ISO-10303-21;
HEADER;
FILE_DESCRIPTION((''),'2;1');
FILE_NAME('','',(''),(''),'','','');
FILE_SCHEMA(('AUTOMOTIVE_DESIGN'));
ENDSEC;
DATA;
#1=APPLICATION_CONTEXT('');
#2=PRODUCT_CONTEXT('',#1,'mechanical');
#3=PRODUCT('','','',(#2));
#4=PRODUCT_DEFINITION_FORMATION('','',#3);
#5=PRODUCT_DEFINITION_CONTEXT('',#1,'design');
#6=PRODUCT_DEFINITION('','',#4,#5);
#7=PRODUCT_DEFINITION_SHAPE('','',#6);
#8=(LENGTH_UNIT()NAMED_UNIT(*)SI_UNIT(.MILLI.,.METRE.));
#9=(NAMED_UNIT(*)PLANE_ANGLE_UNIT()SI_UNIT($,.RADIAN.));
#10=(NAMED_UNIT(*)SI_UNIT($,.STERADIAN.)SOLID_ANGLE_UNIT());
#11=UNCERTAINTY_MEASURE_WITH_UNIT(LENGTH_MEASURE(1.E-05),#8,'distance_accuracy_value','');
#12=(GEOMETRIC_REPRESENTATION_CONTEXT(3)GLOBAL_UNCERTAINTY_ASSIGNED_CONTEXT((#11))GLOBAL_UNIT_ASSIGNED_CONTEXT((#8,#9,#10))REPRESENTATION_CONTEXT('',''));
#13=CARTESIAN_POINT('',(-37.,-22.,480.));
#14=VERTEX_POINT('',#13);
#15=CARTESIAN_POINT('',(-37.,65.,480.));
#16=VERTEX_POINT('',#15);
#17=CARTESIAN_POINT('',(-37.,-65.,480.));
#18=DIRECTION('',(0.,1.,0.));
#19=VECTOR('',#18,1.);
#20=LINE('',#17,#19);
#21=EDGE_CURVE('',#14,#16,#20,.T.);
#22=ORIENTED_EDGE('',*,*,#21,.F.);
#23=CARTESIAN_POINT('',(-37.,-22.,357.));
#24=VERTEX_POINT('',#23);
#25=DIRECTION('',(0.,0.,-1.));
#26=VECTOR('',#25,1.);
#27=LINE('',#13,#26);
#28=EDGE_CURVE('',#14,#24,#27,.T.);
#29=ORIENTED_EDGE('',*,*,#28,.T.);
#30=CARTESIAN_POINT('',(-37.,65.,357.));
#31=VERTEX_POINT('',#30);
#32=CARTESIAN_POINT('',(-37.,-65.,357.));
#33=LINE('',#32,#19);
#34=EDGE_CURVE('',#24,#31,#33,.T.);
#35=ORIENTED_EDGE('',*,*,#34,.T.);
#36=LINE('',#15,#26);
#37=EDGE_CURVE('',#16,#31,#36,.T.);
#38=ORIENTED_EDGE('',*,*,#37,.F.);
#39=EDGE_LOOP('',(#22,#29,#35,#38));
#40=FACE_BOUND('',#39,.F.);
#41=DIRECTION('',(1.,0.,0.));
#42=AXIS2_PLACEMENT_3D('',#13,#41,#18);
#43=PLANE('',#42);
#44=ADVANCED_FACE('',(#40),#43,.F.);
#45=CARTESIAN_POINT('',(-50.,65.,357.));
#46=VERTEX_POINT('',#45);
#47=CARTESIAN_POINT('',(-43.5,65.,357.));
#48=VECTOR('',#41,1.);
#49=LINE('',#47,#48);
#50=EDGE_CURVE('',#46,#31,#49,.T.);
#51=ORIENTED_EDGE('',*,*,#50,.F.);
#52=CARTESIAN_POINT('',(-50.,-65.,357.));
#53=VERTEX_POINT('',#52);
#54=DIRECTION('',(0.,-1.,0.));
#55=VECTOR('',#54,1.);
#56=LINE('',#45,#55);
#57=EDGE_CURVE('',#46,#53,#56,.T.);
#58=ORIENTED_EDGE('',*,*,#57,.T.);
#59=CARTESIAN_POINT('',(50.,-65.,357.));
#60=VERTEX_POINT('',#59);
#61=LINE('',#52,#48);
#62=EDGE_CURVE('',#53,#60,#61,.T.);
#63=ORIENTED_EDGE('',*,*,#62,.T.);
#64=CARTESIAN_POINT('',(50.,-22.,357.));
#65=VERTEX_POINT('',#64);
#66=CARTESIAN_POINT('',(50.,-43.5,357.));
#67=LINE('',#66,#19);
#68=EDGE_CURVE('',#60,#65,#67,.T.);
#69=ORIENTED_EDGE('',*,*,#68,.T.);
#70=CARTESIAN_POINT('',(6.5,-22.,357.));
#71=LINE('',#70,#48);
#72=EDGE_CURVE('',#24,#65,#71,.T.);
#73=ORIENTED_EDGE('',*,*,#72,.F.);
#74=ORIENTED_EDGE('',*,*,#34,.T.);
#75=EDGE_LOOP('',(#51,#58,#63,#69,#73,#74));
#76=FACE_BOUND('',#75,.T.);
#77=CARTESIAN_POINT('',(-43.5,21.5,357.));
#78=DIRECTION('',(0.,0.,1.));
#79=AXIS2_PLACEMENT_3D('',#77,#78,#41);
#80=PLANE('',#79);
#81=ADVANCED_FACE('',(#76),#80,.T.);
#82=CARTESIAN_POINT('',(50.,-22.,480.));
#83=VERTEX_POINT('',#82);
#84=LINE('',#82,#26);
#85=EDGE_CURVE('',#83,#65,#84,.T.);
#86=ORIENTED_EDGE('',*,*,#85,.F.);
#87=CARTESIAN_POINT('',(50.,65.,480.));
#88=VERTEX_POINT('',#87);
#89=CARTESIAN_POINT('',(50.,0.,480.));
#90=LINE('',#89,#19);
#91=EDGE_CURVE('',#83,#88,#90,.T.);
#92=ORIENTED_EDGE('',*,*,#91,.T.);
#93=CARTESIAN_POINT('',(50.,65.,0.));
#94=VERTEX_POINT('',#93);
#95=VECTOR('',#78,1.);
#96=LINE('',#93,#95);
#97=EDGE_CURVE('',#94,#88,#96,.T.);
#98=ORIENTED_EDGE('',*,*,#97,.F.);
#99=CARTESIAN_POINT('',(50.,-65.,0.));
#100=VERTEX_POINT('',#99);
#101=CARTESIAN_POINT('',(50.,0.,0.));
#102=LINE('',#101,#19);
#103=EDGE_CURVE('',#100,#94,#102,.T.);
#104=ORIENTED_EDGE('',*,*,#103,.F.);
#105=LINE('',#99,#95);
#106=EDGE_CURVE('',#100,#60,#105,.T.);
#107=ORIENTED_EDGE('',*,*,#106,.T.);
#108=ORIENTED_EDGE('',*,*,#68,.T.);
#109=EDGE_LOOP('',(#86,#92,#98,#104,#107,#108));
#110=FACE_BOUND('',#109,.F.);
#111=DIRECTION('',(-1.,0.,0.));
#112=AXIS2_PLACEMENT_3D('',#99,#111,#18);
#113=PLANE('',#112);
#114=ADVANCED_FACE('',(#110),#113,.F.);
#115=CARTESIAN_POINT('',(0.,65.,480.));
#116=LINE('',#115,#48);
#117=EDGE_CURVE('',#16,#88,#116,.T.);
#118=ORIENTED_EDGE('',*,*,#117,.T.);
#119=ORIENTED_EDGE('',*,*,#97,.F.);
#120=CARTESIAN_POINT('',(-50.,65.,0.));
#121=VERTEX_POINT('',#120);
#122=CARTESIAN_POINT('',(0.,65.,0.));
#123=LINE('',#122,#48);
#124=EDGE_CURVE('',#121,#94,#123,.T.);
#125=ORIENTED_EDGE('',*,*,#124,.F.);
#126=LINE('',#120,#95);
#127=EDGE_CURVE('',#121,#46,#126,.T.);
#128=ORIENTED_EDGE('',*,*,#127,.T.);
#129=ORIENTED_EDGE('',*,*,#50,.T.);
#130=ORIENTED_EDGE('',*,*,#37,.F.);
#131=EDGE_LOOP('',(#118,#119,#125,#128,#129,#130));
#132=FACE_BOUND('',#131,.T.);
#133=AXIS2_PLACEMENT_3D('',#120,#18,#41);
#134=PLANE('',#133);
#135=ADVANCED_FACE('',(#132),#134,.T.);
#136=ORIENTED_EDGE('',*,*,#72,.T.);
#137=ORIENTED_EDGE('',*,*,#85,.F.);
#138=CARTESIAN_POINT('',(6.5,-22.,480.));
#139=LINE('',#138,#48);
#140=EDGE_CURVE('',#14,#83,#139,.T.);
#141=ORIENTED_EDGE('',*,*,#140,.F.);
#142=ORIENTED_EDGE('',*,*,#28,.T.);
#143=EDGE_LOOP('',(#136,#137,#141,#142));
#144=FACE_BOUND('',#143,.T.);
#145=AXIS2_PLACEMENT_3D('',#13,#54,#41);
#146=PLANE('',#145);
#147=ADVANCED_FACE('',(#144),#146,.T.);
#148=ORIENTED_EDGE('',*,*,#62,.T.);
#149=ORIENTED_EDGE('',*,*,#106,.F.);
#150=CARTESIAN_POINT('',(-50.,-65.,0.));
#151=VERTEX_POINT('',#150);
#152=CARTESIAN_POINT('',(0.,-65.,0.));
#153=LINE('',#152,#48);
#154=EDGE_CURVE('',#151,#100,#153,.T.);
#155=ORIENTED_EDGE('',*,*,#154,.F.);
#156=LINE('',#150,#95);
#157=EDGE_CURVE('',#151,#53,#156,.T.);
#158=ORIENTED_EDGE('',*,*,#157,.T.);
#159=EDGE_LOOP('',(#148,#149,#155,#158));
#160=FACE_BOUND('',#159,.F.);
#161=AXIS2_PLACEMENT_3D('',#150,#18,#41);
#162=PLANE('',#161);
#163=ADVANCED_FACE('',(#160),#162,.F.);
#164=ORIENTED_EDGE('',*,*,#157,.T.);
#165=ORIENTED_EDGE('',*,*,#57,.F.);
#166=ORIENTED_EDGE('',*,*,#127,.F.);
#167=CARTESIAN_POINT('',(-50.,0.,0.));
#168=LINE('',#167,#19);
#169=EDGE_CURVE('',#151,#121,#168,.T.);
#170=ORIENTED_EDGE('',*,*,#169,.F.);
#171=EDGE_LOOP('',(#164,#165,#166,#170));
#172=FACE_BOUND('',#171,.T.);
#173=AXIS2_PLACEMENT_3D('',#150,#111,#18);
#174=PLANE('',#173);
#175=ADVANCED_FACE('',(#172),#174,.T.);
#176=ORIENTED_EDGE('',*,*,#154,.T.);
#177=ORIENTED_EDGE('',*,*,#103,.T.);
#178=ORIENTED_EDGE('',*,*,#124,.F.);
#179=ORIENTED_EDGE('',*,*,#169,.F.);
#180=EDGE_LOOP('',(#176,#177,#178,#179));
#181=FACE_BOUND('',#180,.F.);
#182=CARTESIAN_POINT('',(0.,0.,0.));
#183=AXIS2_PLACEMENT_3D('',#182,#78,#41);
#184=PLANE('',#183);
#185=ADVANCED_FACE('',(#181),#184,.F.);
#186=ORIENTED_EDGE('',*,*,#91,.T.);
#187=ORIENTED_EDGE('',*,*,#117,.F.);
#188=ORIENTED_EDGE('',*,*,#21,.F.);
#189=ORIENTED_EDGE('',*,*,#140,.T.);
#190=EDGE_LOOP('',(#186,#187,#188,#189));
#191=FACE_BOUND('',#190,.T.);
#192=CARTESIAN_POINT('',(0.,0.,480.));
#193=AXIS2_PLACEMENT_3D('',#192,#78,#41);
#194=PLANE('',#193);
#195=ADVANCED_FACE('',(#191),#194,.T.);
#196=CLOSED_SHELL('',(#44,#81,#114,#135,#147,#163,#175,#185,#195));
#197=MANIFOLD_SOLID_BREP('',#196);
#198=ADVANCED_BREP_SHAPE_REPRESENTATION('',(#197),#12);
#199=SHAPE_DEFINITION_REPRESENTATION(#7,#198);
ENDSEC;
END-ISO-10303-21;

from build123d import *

# Parameters (mm, degrees)
F0_W     = 100
F0_H     = 130
F1_DEPTH = 480
F2_W     = 13
F2_H     = 87
F2_H_2   = 43
F2_W_2   = 87
F3_DEPTH = 123


with BuildPart() as f1:
    # F0 (on Top) → F1 (new body)
    with BuildSketch(Plane.XY):
        Rectangle(F0_W, F0_H)
    extrude(amount=F1_DEPTH)

    # F2 (on face) → F3 (cut)
    with BuildSketch(Plane.XY.offset(480)):
        with Locations((-43.5, 21.5)):
            Rectangle(F2_W, F2_H)
        with Locations((-43.5, -43.5)):
            Rectangle(F2_W, F2_H_2)
        with Locations((6.5, -43.5)):
            Rectangle(F2_W_2, F2_H_2)
    extrude(amount=-F3_DEPTH, mode=Mode.SUBTRACT)


solid = f1.part
